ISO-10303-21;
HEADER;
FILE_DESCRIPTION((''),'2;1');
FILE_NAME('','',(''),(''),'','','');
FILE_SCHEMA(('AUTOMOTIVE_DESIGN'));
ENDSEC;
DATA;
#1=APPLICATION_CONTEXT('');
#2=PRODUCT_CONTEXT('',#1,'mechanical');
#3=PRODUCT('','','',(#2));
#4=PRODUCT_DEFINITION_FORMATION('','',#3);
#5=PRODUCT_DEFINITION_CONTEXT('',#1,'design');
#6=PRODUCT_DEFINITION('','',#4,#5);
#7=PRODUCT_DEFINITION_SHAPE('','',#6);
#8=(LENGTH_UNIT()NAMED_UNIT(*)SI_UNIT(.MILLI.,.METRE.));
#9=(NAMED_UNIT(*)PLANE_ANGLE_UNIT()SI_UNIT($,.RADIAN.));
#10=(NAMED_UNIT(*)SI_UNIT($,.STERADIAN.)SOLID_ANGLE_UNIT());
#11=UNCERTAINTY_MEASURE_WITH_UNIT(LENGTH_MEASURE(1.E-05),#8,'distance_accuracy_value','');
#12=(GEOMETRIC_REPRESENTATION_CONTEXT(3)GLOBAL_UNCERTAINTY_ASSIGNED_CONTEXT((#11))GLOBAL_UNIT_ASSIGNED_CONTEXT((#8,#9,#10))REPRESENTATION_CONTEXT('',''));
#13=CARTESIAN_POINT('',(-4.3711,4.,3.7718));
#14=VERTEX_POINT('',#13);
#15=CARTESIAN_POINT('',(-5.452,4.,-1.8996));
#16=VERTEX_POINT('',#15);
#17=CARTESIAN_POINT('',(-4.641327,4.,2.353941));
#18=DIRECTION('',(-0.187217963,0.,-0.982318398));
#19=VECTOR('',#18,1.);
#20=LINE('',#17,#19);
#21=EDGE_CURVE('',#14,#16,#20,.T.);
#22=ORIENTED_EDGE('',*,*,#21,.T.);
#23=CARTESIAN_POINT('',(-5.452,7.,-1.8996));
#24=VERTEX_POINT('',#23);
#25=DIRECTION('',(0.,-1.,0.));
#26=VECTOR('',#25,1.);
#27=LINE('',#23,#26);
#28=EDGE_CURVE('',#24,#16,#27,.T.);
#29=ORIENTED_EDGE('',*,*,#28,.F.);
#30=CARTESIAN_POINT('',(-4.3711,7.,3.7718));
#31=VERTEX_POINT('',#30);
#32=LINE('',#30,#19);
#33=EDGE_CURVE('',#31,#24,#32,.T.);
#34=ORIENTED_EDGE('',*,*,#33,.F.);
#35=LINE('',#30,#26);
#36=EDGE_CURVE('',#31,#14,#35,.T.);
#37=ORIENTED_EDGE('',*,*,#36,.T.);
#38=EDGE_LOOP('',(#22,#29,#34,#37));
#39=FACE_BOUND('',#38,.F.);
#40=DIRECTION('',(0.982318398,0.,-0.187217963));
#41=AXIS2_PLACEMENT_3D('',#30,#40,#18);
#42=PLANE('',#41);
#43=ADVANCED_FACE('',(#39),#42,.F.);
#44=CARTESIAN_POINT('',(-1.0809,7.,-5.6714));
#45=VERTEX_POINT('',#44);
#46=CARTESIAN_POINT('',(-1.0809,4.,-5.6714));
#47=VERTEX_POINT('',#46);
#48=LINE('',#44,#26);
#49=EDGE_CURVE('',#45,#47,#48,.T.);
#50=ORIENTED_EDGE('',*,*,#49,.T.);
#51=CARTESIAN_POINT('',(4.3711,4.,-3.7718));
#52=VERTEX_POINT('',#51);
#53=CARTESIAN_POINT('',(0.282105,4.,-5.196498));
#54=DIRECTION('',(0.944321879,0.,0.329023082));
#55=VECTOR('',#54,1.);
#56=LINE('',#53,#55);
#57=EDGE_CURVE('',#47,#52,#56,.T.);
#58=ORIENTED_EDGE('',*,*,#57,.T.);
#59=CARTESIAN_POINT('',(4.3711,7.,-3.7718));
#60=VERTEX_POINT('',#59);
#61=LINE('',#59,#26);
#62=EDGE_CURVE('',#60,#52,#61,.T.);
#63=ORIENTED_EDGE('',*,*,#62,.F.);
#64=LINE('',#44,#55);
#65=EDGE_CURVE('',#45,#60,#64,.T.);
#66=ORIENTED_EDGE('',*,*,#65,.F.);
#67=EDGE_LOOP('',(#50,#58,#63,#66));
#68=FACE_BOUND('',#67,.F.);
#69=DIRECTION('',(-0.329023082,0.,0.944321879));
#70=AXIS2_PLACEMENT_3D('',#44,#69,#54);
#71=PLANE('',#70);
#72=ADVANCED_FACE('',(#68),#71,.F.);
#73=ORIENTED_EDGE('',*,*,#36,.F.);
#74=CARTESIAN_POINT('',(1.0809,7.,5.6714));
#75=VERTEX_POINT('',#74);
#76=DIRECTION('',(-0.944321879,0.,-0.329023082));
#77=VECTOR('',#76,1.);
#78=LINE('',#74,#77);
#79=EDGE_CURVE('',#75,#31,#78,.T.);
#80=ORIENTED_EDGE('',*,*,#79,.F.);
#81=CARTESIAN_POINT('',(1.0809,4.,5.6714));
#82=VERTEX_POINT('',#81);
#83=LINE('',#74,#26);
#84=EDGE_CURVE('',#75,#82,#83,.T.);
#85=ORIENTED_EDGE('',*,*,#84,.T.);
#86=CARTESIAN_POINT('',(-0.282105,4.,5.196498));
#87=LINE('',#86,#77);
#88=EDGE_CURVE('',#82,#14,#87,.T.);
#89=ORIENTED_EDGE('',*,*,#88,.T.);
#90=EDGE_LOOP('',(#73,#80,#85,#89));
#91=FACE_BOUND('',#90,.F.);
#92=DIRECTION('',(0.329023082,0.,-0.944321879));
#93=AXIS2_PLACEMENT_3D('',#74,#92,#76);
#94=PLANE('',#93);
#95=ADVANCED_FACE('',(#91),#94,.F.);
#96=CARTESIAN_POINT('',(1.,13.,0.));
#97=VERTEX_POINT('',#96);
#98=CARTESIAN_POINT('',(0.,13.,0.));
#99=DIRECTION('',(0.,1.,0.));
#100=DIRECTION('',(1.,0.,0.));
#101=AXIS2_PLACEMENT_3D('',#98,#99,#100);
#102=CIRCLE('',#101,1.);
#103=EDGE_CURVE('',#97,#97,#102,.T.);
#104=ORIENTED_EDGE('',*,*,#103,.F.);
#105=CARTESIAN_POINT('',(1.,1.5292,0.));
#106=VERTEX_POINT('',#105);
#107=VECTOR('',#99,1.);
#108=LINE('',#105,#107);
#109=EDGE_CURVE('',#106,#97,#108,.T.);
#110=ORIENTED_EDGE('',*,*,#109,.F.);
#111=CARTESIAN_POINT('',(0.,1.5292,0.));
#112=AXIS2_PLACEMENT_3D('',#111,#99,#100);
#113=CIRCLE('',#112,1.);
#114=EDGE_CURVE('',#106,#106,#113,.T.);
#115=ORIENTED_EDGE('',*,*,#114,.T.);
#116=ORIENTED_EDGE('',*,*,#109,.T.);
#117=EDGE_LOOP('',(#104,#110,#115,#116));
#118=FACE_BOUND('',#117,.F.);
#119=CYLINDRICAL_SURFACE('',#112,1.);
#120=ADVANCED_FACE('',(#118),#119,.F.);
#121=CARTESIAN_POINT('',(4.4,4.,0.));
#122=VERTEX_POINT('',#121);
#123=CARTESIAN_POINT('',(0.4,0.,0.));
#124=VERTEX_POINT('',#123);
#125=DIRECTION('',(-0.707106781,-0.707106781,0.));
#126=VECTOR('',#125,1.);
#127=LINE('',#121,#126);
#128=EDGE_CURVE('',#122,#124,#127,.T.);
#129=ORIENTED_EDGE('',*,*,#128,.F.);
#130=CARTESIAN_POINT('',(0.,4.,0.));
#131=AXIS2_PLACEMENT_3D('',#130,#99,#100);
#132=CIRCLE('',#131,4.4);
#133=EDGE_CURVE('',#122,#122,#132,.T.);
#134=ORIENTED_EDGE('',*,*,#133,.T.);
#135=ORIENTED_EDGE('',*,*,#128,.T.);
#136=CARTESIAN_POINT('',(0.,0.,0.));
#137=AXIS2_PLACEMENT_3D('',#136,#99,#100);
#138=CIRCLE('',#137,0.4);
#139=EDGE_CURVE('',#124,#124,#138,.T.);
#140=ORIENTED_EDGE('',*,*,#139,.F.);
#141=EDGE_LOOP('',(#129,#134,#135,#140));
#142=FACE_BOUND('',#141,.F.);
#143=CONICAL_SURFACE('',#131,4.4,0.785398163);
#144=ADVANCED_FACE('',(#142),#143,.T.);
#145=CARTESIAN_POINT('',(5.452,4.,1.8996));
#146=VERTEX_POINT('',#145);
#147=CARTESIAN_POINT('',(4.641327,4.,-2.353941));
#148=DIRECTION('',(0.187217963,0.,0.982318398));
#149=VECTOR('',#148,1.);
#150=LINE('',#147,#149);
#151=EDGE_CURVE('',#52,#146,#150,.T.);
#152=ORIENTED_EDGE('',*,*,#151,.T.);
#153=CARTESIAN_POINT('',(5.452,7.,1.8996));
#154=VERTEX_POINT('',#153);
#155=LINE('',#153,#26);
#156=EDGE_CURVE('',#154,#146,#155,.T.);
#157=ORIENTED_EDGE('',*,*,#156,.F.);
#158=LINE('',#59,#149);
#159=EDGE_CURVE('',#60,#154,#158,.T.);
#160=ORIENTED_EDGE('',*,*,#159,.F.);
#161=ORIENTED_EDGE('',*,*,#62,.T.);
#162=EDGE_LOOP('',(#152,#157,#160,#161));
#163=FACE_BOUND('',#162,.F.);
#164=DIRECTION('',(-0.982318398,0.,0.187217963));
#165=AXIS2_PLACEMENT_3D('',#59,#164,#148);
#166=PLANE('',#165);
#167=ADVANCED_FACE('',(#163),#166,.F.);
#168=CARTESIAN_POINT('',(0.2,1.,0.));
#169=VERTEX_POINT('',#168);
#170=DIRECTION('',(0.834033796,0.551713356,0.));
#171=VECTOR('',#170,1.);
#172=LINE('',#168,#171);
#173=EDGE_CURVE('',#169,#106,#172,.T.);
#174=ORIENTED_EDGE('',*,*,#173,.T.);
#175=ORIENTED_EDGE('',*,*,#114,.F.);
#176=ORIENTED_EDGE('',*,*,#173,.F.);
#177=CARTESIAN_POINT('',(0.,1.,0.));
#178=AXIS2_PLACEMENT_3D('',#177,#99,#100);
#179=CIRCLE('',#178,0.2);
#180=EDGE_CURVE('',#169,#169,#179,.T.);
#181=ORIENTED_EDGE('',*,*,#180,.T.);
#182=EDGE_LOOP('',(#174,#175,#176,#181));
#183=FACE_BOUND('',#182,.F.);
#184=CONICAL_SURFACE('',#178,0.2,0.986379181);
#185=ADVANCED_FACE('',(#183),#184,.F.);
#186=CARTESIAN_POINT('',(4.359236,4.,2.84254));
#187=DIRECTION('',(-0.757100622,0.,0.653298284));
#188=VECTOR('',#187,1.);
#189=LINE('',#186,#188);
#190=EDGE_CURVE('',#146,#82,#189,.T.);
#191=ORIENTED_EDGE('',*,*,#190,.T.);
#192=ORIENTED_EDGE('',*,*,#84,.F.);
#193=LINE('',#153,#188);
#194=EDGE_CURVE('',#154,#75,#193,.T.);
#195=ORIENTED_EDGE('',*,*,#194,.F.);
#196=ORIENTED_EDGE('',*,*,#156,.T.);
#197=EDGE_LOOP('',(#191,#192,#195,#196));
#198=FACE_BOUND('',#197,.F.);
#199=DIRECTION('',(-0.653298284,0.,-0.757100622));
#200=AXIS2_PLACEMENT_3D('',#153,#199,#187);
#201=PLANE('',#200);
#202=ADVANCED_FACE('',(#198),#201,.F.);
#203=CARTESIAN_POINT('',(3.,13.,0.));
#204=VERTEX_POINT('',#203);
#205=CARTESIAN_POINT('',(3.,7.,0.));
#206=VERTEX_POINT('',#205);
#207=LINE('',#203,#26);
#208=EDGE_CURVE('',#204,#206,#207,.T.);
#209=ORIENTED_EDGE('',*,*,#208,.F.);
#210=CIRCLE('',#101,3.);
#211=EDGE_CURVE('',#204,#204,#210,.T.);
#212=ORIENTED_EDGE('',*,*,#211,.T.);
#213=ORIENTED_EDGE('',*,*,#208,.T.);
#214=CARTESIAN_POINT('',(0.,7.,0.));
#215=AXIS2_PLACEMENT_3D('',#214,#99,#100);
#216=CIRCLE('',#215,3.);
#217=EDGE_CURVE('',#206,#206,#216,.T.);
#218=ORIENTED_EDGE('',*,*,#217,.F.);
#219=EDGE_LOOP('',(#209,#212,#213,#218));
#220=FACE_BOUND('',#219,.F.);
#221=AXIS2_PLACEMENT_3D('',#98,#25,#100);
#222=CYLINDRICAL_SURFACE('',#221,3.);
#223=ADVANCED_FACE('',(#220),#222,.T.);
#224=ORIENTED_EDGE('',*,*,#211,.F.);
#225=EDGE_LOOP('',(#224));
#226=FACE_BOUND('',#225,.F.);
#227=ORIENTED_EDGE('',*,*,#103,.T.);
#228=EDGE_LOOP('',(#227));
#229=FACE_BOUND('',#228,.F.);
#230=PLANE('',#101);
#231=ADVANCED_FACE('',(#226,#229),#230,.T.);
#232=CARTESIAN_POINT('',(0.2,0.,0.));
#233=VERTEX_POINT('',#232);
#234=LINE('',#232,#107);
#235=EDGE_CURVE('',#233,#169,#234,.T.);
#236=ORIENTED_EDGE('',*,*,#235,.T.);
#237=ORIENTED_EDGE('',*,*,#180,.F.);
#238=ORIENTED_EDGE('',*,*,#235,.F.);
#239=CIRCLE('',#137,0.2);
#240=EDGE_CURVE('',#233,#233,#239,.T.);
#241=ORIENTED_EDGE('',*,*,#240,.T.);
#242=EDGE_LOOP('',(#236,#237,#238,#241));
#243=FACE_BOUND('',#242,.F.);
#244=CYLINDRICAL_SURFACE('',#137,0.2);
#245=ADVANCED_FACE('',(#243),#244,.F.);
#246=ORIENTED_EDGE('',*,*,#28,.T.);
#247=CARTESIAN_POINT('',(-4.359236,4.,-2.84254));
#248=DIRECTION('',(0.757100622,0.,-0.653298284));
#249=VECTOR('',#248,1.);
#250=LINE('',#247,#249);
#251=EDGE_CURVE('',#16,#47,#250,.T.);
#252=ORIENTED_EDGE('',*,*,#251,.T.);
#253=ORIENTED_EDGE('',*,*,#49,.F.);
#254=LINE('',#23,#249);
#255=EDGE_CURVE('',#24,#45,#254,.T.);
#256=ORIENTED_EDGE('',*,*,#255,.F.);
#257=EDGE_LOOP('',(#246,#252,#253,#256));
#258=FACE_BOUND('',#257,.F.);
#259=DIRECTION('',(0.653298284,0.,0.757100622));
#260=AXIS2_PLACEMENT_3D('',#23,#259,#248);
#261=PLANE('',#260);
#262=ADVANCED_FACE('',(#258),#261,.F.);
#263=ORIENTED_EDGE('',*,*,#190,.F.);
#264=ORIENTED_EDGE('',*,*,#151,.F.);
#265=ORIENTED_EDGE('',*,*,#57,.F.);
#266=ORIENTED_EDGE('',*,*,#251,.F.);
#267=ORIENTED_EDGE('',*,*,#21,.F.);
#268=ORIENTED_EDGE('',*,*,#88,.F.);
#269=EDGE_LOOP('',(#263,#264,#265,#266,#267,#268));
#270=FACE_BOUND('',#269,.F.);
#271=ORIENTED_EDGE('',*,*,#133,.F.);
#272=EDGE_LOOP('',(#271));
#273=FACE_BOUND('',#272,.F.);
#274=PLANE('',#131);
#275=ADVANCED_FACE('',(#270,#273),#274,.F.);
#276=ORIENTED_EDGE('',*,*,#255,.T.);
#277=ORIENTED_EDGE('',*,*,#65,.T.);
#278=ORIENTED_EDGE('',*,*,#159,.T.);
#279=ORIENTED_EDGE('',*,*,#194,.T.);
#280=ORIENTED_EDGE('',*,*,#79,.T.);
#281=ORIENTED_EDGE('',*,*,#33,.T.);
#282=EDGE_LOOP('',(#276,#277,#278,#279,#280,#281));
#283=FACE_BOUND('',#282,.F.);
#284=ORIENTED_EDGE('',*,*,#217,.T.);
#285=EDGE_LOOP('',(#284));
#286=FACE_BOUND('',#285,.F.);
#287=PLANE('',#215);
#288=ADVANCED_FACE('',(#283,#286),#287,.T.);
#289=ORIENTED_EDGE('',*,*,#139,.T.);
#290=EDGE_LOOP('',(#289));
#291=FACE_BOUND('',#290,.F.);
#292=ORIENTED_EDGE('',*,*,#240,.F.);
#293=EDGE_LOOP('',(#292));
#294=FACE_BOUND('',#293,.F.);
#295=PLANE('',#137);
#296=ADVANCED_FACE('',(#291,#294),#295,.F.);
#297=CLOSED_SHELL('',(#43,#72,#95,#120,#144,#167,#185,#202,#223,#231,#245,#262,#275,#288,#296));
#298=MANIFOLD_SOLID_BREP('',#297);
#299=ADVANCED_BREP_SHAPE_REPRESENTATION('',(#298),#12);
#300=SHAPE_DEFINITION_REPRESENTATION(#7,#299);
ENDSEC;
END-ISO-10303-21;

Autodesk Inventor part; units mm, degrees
ref_plane "YZ Plane" through (0, 0, 0) normal (1, 0, 0) x (0, 1, 0)
ref_plane "XZ Plane" through (0, 0, 0) normal (0, 1, 0) x (-1, 0, 0)
ref_plane "XY Plane" through (0, 0, 0) normal (0, 0, 1) x (1, 0, 0)
sketch "Sketch1" plane through (0, 0, 0) normal (0, 0, 1) x (1, 0, 0)
  line L0 (0.2, 0) -> (0.2, 1)
  line L1 (0.2, 1) -> (1, 1.5292)
  line L2 (1, 1.5292) -> (1, 13)
  line L3 (1, 13) -> (3, 13)
  line L4 (3, 13) -> (3, 7)
  line L5 (3, 7) -> (9, 7)
  line L6 (9, 7) -> (9, 4)
  line L7 (9, 4) -> (4.4, 4)
  line L8 (4.4, 4) -> (0.4, 0)
  line L9 (0.4, 0) -> (0.2, 0)
  line L10 (0, 0) -> (0, 2.7368)
  dimension "d0" = 0.2
  dimension "d2" = 0.4
  dimension "d4" = 45
  dimension "d5" = 1
  dimension "d6" = 3
  dimension "d7" = 9
  dimension "d8" = 13
  dimension "d9" = 3
  dimension "d10" = 4
  dimension "d11" = 1
revolve "Revolution1" add sketch "Sketch1" angle 360 about axis through (0, 0, 0) along (0, 1, 0)
sketch "Sketch2" plane through (0, 7, 0) normal (0, 1, 0) x (1, 0, 0)
  circle A0 centre (0, 0) radius 9 projected
  circle A1 centre (0, 0) radius 3 projected
  line L0 (1.0809, -5.6714) -> (-4.3711, -3.7718)
  line L1 (-4.3711, -3.7718) -> (-5.452, 1.8996)
  line L2 (-5.452, 1.8996) -> (-1.0809, 5.6714)
  line L3 (-1.0809, 5.6714) -> (4.3711, 3.7718)
  line L4 (4.3711, 3.7718) -> (5.452, -1.8996)
  line L5 (5.452, -1.8996) -> (1.0809, -5.6714)
  dimension "d13" = 10
extrude "Extrusion1" cut sketch "Sketch2" against normal blind 10 contours A0
thread "Thread1" size "M6x1" class "6g" standard "ANSI Metric M Profile" full length
properties part number "heNozzle"
